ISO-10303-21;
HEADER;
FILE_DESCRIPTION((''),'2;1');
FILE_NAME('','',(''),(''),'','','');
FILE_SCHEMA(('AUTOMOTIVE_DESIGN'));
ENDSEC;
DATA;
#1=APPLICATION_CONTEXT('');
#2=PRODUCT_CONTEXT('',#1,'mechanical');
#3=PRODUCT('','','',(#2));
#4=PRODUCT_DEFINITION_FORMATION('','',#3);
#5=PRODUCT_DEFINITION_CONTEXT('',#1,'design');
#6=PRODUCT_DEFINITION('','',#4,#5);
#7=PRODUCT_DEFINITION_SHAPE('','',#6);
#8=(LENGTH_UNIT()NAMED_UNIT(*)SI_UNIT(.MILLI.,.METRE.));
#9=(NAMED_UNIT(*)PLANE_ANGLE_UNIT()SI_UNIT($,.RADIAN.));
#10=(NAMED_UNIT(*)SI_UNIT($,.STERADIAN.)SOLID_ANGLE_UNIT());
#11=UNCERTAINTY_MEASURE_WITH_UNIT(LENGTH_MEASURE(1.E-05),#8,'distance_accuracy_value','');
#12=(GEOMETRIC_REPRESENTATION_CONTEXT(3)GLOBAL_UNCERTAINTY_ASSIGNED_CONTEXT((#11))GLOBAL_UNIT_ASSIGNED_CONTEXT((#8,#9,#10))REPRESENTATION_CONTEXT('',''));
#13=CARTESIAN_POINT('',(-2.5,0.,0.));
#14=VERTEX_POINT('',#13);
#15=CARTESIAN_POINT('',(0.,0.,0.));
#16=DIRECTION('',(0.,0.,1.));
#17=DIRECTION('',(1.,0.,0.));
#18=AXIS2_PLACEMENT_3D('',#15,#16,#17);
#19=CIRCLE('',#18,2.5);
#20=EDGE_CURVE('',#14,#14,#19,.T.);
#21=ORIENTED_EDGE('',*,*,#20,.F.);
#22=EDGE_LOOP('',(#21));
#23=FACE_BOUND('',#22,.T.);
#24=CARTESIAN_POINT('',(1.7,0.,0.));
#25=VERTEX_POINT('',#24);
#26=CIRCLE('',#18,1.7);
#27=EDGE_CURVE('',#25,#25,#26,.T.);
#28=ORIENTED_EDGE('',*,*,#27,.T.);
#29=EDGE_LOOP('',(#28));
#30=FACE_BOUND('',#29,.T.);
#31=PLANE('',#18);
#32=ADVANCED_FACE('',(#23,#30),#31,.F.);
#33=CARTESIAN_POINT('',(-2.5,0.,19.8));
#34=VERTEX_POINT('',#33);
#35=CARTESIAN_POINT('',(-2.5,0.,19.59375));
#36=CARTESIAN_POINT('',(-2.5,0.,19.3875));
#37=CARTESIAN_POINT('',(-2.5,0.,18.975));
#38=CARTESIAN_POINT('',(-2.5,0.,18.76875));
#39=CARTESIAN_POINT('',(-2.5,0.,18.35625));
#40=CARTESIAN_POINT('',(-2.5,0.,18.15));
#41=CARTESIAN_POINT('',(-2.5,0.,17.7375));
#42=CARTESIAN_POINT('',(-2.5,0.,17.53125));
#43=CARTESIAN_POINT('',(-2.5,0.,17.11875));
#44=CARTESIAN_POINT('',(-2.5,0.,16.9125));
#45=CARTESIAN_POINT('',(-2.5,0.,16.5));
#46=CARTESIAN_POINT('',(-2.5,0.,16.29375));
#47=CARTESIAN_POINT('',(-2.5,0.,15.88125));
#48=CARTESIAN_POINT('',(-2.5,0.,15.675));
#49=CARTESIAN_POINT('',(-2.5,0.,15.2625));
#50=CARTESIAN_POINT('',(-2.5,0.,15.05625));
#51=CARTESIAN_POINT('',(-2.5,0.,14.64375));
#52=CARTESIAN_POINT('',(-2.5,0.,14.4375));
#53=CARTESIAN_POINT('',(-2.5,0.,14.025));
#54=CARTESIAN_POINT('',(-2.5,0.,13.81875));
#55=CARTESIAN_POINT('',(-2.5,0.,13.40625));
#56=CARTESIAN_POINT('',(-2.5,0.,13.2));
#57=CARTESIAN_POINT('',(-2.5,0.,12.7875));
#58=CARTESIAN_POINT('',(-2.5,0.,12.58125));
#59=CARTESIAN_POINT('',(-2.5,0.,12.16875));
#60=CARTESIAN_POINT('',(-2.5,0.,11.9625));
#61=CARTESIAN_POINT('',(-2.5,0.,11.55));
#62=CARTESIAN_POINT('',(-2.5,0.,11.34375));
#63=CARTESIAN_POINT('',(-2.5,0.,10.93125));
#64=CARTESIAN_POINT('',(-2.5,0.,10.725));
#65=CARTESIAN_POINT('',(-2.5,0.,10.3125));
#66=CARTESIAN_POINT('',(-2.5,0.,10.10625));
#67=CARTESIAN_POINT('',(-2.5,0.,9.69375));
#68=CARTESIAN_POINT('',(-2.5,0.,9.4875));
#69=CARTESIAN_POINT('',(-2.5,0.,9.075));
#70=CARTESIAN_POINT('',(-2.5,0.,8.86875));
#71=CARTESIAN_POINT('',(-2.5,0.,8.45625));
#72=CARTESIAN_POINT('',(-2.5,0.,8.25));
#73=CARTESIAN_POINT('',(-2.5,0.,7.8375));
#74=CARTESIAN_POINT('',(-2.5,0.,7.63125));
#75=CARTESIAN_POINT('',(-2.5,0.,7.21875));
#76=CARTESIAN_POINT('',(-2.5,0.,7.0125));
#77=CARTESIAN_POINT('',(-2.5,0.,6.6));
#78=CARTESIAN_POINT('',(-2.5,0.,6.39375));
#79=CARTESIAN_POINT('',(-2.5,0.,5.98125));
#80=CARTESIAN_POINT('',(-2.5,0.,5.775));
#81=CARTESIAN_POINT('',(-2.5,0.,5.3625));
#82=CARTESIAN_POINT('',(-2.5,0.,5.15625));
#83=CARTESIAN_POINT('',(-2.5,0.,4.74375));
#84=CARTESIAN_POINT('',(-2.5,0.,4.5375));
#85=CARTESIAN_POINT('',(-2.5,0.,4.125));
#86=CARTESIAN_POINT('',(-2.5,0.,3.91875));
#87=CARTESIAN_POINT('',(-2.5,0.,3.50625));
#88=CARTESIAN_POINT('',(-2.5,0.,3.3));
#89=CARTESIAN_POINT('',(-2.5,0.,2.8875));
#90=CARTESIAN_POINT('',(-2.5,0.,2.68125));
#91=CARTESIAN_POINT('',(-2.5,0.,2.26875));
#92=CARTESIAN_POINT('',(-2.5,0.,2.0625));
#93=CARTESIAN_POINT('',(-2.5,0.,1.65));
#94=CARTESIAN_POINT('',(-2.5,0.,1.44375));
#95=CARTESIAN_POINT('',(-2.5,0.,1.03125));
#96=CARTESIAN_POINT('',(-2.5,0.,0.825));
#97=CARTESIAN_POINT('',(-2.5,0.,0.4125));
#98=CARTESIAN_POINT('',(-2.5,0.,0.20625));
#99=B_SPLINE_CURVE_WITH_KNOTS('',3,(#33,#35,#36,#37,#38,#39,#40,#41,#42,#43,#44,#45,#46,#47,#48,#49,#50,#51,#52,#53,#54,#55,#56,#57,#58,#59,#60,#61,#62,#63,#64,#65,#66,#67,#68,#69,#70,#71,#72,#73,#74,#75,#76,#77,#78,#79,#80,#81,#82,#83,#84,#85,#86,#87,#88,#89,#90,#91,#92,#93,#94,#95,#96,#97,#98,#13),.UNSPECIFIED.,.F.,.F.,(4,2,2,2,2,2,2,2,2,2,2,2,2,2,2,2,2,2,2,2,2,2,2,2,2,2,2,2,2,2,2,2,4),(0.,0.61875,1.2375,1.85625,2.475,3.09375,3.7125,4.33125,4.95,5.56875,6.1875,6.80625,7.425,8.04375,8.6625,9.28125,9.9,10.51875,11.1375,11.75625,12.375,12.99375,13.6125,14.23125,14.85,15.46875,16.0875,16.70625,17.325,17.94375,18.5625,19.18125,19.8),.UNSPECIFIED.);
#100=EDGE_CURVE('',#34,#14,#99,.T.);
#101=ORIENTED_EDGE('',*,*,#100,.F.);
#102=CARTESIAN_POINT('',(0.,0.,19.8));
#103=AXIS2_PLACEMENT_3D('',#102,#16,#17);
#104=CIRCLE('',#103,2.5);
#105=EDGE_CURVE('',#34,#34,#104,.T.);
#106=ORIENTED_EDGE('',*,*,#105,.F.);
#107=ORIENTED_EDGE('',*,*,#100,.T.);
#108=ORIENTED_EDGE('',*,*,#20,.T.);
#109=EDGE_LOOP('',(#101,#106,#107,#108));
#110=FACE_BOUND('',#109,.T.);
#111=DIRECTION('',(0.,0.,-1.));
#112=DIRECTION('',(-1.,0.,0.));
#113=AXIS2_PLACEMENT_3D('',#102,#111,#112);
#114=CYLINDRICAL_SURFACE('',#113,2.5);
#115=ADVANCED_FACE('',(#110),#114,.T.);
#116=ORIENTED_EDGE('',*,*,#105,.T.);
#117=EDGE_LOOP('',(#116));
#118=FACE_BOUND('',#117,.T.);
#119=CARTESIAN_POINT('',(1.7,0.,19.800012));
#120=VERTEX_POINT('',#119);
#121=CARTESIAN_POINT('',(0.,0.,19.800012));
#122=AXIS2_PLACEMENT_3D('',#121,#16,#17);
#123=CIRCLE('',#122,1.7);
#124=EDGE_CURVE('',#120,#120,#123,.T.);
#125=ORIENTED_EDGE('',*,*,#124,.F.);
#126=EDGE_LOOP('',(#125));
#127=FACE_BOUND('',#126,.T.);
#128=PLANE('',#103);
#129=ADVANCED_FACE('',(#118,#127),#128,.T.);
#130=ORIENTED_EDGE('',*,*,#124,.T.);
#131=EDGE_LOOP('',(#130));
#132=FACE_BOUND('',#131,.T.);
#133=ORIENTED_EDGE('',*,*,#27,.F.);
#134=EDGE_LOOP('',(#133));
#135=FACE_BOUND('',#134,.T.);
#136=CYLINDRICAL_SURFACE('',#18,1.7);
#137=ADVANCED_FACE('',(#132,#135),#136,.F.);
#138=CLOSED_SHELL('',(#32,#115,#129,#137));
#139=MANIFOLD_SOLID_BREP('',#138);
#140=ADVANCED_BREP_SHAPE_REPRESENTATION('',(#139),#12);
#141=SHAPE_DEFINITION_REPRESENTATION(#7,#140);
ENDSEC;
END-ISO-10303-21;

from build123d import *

# Parameters (mm, degrees)
SKETCH1_R               = 2.5
BOSS_EXTRUDE1_DEPTH     = 19.8
CUT_EXTRUDE1_DEPTH      = 21.113179759
CUT_EXTRUDE1_DEPTH_BACK = 21.113179759
SKETCH2_R               = 1.7


with BuildPart() as part:
    # Sketch1 → Boss-Extrude1 (new body)
    with BuildSketch(Plane(origin=(0, 0, 0), x_dir=(0, 1, 0), z_dir=(0, 0, 1))):
        with Locations(Location((0, 0, 0), (0, 0, 90))):
            Circle(SKETCH1_R)
    extrude(amount=BOSS_EXTRUDE1_DEPTH)

    # Sketch2 → Cut-Extrude1 (cut, two sides: drawn at the far end of the back side and taken through both)
    with BuildSketch(Plane.XY.offset(19.8).offset(-CUT_EXTRUDE1_DEPTH_BACK)):
        Circle(SKETCH2_R)
    extrude(amount=CUT_EXTRUDE1_DEPTH + CUT_EXTRUDE1_DEPTH_BACK, mode=Mode.SUBTRACT)


solid = part.part
